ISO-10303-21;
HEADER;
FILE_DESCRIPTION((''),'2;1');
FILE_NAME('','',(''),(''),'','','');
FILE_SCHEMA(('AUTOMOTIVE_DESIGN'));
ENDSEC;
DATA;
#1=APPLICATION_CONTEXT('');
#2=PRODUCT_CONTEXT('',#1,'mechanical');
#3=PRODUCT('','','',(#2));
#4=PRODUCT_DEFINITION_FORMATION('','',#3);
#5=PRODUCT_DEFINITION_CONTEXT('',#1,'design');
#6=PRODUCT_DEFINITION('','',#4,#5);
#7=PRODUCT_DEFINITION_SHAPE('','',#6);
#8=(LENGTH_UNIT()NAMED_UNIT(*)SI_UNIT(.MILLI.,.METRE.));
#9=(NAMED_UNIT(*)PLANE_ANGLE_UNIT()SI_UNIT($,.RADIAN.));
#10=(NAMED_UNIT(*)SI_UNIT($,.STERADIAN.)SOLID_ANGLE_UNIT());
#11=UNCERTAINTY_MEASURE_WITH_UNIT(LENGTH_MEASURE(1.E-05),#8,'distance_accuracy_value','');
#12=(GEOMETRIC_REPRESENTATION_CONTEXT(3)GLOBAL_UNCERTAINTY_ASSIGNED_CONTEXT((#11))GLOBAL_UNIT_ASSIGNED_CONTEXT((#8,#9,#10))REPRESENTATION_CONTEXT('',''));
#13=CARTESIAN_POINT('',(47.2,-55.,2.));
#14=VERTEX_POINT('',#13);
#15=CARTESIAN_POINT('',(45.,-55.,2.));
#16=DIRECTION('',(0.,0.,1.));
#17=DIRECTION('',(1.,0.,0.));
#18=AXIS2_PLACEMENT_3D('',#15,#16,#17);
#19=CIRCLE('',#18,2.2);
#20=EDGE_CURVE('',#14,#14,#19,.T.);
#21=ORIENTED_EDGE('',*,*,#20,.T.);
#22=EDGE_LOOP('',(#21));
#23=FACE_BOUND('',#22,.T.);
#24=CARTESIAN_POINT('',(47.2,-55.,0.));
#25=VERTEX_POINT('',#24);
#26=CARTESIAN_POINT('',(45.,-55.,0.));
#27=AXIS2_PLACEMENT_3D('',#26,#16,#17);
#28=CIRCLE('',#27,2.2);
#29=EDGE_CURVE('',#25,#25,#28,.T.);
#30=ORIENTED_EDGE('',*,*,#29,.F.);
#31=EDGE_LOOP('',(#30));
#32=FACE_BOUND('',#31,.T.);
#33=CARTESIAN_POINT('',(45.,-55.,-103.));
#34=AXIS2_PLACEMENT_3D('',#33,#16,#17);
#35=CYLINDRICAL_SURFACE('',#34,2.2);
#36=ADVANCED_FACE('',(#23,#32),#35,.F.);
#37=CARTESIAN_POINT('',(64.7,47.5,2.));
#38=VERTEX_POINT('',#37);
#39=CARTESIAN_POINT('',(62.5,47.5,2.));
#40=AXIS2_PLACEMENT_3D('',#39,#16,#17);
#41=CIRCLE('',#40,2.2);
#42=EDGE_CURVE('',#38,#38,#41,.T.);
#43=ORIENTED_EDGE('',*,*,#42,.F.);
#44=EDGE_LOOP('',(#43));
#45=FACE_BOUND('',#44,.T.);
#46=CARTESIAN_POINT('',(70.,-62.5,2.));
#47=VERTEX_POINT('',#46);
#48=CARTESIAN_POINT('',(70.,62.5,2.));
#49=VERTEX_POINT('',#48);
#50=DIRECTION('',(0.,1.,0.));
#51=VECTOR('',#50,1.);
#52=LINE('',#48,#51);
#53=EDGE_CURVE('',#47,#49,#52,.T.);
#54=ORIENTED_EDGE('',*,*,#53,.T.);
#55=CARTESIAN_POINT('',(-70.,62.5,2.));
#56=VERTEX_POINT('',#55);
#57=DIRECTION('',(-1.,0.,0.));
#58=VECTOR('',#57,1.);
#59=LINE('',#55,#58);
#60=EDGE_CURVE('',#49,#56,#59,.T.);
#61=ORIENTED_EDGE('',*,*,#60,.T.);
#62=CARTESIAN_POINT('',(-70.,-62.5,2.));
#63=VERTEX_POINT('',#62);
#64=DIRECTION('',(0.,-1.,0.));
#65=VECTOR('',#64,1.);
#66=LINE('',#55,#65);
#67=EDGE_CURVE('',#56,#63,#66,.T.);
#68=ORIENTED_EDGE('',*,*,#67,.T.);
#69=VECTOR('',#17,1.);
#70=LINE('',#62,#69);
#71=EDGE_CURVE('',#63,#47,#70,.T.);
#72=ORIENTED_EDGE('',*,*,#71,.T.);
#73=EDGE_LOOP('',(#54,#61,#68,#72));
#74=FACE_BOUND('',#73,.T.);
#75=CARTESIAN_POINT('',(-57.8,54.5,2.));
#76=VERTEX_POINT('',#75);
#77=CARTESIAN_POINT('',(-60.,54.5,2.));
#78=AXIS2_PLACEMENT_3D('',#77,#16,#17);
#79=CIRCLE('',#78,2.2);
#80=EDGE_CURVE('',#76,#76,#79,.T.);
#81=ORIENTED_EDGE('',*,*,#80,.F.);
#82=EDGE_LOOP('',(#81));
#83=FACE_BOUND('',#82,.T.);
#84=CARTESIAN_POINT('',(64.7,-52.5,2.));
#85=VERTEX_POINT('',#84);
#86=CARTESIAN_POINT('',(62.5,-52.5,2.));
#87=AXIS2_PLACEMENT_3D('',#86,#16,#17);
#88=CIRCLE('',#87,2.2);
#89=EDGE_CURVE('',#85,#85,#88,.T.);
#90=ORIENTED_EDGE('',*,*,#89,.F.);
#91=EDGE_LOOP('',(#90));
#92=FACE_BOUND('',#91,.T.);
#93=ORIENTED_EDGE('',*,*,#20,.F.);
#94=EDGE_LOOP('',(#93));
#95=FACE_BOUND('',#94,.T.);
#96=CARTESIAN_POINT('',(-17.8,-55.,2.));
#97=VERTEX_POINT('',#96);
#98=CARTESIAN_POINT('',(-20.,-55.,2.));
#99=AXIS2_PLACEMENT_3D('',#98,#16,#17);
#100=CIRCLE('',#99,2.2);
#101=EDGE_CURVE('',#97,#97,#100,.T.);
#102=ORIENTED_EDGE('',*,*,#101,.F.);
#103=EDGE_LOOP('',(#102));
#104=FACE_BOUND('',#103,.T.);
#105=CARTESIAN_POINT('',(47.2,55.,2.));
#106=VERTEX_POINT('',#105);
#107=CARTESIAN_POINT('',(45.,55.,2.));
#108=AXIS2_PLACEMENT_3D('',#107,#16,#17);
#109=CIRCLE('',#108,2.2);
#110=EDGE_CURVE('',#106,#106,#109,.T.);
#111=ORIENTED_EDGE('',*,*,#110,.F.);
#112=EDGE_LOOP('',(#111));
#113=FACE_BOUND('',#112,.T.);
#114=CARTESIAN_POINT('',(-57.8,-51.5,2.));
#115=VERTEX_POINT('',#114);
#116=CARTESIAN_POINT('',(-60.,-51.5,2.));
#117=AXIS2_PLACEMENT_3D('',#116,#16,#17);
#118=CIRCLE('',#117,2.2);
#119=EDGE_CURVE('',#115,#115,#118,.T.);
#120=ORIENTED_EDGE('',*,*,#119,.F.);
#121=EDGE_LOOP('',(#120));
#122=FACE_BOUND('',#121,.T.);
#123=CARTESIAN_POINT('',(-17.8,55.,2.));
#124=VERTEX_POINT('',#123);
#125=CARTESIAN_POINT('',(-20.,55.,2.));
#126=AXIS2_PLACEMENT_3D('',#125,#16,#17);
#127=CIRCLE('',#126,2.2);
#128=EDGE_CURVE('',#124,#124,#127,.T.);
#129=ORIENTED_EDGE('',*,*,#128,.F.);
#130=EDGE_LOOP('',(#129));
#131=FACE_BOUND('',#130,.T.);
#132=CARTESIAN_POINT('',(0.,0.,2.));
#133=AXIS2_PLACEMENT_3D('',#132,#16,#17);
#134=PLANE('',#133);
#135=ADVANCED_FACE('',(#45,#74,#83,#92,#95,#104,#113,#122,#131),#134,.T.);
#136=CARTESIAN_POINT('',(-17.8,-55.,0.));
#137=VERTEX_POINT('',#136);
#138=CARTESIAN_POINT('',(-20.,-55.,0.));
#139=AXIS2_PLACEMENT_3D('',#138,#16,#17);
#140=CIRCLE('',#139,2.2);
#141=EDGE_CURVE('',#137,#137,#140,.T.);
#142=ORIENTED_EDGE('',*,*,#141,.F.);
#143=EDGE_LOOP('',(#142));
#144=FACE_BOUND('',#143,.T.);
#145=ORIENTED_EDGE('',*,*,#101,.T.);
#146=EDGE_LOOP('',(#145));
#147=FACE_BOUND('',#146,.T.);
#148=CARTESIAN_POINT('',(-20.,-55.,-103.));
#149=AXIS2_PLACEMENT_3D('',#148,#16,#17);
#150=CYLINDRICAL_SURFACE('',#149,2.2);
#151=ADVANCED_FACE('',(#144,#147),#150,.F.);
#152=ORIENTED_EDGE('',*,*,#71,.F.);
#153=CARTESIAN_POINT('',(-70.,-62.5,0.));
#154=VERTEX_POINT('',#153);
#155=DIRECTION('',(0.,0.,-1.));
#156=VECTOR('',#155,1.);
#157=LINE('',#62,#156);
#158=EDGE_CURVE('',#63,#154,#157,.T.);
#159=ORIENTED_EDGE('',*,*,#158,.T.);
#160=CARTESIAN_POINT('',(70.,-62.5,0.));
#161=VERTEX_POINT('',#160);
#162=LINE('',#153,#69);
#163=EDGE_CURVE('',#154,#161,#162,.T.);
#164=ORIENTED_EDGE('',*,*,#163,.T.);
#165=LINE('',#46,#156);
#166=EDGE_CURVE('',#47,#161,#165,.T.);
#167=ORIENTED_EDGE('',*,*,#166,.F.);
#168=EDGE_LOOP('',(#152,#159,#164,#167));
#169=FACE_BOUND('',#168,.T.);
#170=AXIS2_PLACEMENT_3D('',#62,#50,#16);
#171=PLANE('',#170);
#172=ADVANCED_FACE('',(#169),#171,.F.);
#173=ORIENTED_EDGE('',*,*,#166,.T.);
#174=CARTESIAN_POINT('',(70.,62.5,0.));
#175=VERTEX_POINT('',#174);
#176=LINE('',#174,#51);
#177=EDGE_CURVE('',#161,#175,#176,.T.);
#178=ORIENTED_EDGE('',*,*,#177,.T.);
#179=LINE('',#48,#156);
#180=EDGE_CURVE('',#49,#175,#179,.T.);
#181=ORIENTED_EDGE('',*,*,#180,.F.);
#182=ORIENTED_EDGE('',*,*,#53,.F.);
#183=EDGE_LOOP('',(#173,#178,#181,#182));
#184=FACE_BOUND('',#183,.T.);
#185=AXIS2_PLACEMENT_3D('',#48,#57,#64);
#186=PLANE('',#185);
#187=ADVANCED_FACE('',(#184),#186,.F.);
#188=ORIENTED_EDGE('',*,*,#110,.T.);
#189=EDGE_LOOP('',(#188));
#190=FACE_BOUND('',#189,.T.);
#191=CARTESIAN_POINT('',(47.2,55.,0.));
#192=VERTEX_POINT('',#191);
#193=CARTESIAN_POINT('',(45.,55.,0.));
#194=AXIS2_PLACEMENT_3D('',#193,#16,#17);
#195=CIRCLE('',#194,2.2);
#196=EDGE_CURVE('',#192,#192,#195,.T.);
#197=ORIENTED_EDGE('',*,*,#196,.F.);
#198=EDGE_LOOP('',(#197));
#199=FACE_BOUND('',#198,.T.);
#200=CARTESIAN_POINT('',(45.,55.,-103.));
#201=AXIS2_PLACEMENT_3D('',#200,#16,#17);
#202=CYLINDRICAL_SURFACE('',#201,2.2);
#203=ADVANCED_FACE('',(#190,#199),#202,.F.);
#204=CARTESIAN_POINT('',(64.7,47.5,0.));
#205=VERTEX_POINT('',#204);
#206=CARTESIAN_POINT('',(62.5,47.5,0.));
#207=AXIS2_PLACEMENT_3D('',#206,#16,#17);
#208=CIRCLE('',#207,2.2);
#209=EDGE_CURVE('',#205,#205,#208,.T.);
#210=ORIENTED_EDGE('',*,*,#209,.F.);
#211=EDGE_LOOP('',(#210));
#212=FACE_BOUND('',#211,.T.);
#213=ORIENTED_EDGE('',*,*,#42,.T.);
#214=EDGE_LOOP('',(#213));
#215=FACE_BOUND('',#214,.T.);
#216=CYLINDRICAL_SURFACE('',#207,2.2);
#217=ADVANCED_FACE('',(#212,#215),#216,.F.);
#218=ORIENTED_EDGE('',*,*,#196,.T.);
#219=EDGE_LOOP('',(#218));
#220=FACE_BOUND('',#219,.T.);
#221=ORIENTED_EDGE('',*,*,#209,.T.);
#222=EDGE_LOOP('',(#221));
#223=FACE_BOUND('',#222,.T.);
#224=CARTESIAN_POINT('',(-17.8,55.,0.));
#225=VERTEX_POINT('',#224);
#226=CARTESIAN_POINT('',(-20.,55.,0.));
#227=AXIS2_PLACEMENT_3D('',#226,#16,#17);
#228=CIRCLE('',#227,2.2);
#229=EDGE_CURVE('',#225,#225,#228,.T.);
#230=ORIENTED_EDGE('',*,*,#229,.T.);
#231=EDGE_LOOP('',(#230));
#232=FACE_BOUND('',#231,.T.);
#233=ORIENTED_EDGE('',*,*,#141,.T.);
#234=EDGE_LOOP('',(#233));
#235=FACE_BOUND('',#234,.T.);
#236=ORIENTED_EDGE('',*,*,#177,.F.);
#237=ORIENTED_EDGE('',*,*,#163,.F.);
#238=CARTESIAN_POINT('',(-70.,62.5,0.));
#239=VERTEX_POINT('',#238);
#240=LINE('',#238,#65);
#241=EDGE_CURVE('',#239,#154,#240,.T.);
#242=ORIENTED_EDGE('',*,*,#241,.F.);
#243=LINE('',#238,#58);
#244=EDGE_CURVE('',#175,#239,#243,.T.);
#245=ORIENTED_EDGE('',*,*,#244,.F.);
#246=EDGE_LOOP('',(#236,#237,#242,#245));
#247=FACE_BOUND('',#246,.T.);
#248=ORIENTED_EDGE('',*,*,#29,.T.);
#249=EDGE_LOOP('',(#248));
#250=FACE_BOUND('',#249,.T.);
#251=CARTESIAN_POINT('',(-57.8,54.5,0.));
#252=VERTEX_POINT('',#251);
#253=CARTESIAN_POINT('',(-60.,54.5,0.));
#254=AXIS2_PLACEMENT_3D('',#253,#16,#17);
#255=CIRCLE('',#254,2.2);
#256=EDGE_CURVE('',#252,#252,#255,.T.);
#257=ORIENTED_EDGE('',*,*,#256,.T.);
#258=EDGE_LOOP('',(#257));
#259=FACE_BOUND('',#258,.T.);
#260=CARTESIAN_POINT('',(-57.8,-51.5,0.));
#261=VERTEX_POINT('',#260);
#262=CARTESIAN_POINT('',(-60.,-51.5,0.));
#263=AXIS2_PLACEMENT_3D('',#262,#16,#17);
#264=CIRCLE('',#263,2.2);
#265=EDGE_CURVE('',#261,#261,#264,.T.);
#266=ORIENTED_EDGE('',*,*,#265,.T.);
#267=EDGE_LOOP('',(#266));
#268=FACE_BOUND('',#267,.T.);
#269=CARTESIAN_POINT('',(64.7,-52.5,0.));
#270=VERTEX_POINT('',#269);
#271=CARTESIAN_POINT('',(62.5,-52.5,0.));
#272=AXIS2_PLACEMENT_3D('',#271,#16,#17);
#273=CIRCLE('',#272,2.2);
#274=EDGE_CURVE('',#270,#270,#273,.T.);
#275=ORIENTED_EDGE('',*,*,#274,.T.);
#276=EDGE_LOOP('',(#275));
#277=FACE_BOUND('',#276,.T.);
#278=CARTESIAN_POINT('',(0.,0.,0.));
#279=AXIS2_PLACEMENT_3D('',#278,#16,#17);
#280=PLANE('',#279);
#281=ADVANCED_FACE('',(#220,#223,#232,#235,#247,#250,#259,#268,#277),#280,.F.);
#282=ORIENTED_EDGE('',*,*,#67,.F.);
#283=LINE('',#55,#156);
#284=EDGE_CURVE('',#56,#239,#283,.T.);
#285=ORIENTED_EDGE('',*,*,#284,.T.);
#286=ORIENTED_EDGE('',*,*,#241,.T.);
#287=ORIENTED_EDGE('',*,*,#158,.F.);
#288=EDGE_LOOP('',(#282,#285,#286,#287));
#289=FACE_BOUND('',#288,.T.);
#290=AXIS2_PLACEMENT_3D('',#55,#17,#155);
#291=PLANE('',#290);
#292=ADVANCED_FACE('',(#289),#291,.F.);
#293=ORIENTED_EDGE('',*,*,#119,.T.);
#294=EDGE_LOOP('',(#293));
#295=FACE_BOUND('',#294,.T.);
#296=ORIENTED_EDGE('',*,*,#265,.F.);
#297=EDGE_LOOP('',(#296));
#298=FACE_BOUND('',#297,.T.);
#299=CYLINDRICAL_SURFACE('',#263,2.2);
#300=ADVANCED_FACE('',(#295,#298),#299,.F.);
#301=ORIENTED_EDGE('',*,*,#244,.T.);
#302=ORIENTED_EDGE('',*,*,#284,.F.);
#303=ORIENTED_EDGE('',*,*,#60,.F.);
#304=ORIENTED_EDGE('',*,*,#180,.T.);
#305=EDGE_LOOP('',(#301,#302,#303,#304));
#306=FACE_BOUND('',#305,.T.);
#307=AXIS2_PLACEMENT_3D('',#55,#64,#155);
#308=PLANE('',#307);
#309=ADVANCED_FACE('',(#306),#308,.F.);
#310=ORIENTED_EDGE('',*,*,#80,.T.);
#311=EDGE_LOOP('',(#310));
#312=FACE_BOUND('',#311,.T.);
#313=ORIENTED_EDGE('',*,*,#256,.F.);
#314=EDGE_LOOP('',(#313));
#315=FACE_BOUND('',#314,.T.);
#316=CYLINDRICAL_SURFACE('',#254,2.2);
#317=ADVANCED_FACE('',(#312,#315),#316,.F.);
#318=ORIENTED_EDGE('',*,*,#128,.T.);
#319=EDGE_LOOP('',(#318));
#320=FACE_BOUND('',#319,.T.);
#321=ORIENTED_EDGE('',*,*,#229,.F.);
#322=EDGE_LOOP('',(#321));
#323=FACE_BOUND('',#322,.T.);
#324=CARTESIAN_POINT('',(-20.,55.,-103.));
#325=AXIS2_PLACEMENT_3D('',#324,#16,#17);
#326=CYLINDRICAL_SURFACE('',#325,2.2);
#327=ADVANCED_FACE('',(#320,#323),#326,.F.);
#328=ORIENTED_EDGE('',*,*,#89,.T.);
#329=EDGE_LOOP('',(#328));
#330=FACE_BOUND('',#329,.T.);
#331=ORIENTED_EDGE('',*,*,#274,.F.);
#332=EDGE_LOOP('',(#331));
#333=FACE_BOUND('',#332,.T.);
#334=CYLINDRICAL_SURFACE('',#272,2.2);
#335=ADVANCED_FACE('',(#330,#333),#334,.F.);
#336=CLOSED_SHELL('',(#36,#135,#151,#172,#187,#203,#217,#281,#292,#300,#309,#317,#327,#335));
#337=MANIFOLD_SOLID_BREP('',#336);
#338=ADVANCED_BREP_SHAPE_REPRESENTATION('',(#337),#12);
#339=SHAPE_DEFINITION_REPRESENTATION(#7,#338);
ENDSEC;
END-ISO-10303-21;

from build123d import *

# Parameters (mm, degrees)
SKETCH_1_W          = 140
SKETCH_1_H          = 125
EXTRUDE_1_DEPTH     = 2
SKETCH_3_R          = 2.2
CUT_EXTRUDE_1_DEPTH = 2
SKETCH_6_R          = 2.2
CUT_EXTRUDE_2_DEPTH = 2
SKETCH_7_R          = 2.2
CUT_EXTRUDE_3_DEPTH = 105


with BuildPart() as part:
    # ｽｹｯﾁ1 → ﾎﾞｽ - 押し出し1 (new body)
    with BuildSketch(Plane.XY):
        Rectangle(SKETCH_1_W, SKETCH_1_H)
    extrude(amount=EXTRUDE_1_DEPTH)

    # ｽｹｯﾁ3 → ｶｯﾄ - 押し出し1 (cut)
    with BuildSketch(Plane.XY.offset(2)):
        with Locations((-60, 54.5)):
            Circle(SKETCH_3_R)
        with Locations((-60, -51.5)):
            Circle(SKETCH_3_R)
    extrude(amount=-CUT_EXTRUDE_1_DEPTH, mode=Mode.SUBTRACT)

    # ｽｹｯﾁ6 → ｶｯﾄ - 押し出し2 (cut)
    with BuildSketch(Plane.XY.offset(2)):
        with Locations((62.5, -52.5)):
            Circle(SKETCH_6_R)
        with Locations((62.5, 47.5)):
            Circle(SKETCH_6_R)
    extrude(amount=-CUT_EXTRUDE_2_DEPTH, mode=Mode.SUBTRACT)

    # ｽｹｯﾁ7 → ｶｯﾄ - 押し出し3 (cut)
    with BuildSketch(Plane.XY.offset(2)):
        with BuildLine():
            ThreePointArc((42.8, 55), (45, 52.8), (47.2, 55))
            Line((47.2, 55), (45, 55))
            Line((45, 55), (42.8, 55))
        make_face()
        with BuildLine():
            Line((45, 55), (47.2, 55))
            ThreePointArc((47.2, 55), (45, 57.2), (42.8, 55))
            Line((42.8, 55), (45, 55))
        make_face()
        with Locations((-20, 55)):
            Circle(SKETCH_7_R)
        with Locations((-20, -55)):
            Circle(SKETCH_7_R)
        with Locations((45, -55)):
            Circle(SKETCH_7_R)
    extrude(amount=-CUT_EXTRUDE_3_DEPTH, mode=Mode.SUBTRACT)


solid = part.part
